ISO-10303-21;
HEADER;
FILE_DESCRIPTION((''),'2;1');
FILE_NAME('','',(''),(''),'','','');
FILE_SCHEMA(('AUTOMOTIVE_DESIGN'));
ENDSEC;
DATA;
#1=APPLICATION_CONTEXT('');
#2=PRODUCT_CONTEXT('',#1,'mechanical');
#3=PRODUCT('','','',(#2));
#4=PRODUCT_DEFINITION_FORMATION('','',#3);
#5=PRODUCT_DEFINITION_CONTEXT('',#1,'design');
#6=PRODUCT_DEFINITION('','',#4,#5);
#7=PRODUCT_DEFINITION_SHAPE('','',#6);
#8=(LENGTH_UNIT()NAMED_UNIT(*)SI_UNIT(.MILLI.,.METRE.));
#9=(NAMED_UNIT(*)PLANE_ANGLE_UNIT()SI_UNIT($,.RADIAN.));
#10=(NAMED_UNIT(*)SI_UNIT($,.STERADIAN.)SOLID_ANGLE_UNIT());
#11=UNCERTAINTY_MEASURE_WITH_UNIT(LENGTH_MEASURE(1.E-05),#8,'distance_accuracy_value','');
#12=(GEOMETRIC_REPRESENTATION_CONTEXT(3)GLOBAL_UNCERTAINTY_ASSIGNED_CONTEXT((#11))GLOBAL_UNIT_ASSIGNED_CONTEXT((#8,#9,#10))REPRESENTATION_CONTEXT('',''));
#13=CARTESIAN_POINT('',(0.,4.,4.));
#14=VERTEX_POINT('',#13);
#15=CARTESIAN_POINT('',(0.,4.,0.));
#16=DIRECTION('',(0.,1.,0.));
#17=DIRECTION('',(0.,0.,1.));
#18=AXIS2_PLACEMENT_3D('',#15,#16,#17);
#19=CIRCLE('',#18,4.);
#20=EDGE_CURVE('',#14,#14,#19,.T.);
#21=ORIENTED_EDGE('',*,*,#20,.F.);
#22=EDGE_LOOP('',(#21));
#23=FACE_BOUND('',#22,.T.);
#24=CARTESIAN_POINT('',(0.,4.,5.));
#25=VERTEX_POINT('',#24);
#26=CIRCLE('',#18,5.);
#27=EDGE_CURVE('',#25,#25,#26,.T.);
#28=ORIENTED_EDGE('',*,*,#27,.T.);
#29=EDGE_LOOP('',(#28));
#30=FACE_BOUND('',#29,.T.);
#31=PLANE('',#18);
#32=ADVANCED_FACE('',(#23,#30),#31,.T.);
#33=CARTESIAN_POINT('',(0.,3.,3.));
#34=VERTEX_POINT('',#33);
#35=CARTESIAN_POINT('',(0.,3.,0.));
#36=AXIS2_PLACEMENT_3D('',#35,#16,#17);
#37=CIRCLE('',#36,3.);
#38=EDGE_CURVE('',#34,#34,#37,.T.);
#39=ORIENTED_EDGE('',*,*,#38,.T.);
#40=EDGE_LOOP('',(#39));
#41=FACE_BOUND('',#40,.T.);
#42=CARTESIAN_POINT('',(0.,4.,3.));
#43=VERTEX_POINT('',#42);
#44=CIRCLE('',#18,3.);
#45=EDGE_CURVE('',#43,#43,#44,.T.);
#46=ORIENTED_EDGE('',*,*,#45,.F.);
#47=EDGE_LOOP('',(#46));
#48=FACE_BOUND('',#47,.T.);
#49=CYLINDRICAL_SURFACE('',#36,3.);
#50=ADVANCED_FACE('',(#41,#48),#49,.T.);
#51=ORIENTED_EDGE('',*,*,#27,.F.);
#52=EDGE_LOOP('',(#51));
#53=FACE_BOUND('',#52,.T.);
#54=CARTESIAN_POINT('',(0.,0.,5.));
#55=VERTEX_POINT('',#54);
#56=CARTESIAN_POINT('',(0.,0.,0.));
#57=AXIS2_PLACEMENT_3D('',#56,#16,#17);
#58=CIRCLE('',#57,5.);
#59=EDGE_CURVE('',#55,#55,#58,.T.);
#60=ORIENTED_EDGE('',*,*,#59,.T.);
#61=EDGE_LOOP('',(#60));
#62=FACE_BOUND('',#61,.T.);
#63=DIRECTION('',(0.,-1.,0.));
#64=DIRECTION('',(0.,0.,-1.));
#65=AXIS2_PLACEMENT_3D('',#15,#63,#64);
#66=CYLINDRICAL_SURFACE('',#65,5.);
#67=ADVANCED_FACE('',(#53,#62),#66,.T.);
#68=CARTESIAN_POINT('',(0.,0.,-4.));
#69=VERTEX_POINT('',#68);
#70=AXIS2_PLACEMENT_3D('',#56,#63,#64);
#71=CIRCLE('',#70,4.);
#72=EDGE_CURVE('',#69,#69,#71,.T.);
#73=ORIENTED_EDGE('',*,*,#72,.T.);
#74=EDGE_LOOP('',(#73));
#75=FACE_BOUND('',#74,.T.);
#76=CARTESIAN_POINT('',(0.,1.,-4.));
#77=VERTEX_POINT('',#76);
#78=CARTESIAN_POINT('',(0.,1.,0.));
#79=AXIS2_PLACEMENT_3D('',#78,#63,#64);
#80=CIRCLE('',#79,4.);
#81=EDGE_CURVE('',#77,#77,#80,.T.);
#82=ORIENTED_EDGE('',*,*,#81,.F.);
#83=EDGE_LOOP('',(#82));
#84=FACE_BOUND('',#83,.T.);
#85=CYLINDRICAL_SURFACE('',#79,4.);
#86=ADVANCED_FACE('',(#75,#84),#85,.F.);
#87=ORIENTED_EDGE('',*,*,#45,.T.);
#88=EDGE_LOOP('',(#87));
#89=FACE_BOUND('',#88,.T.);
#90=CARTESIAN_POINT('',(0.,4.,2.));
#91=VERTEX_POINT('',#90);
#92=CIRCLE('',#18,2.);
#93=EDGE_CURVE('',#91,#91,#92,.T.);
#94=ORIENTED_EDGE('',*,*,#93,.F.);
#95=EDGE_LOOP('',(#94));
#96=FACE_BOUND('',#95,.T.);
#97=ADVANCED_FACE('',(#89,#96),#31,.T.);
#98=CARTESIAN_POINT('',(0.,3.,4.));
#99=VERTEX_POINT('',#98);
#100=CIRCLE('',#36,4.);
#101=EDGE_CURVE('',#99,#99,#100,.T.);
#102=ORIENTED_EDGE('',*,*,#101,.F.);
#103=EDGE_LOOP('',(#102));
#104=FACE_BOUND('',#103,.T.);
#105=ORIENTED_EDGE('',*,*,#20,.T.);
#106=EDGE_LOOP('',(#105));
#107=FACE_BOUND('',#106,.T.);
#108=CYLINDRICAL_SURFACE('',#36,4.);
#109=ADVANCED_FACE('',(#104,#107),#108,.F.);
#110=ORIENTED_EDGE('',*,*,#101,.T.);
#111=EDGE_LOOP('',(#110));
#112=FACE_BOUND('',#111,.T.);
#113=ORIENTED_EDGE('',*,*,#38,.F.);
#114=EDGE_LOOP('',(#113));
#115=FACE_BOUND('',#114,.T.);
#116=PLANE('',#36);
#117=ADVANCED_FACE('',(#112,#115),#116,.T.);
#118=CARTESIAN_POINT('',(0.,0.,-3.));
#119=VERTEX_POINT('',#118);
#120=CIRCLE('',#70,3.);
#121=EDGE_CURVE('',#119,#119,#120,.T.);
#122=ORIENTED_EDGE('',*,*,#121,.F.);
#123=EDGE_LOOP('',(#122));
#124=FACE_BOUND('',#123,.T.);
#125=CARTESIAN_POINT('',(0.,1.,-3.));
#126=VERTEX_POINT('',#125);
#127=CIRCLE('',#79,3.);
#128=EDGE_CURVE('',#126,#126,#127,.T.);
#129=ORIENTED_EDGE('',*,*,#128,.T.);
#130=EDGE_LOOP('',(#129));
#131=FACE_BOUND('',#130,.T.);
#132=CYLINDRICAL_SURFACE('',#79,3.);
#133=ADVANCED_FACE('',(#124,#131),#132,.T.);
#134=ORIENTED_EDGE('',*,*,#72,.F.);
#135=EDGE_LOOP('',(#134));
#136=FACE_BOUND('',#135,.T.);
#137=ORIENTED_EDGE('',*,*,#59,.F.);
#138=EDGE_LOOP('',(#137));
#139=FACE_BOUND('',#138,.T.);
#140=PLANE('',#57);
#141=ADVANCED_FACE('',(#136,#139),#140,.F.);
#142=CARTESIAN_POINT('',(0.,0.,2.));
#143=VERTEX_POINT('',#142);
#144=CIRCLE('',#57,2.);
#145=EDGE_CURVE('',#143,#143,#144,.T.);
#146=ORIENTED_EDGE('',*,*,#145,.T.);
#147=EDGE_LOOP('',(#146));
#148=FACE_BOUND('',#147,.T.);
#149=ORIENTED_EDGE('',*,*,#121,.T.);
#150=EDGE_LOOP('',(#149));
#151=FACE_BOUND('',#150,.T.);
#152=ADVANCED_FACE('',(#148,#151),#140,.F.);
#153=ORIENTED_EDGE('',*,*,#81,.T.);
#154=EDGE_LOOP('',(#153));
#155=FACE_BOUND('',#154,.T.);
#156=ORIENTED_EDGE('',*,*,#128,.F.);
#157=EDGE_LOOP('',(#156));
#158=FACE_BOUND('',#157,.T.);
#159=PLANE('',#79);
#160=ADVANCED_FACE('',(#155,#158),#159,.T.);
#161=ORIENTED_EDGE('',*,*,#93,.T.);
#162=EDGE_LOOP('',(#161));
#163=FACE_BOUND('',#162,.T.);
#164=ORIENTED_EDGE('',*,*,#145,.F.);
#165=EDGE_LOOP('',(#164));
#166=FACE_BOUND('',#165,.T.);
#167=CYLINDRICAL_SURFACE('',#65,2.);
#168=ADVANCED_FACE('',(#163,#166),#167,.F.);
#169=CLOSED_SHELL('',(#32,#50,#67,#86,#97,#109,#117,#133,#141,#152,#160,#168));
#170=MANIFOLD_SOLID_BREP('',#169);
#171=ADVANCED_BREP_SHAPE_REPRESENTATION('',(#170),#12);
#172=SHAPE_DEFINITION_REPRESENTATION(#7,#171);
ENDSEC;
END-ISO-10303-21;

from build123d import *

# Parameters (mm, degrees)
SKETCH1_R           = 5
SKETCH1_R_2         = 2
BOSS_EXTRUDE1_DEPTH = 4
SKETCH2_R           = 4
SKETCH2_R_2         = 3
CUT_EXTRUDE1_DEPTH  = 1
SKETCH3_R           = 4
SKETCH3_R_2         = 3
CUT_EXTRUDE2_DEPTH  = 1


with BuildPart() as part:
    # Sketch1 → Boss-Extrude1 (new body)
    with BuildSketch(Plane(origin=(0, 0, 0), x_dir=(1, 0, 0), z_dir=(0, 1, 0))):
        Circle(SKETCH1_R)
        Circle(SKETCH1_R_2, mode=Mode.SUBTRACT)
    extrude(amount=BOSS_EXTRUDE1_DEPTH)

    # Sketch2 → Cut-Extrude1 (cut)
    with BuildSketch(Plane(origin=(0, 4, 0), x_dir=(1, 0, 0), z_dir=(0, 1, 0))):
        Circle(SKETCH2_R)
        Circle(SKETCH2_R_2, mode=Mode.SUBTRACT)
    extrude(amount=-CUT_EXTRUDE1_DEPTH, mode=Mode.SUBTRACT)

    # Sketch3 → Cut-Extrude2 (cut)
    with BuildSketch(Plane.XZ):
        Circle(SKETCH3_R)
        Circle(SKETCH3_R_2, mode=Mode.SUBTRACT)
    extrude(amount=-CUT_EXTRUDE2_DEPTH, mode=Mode.SUBTRACT)


solid = part.part
